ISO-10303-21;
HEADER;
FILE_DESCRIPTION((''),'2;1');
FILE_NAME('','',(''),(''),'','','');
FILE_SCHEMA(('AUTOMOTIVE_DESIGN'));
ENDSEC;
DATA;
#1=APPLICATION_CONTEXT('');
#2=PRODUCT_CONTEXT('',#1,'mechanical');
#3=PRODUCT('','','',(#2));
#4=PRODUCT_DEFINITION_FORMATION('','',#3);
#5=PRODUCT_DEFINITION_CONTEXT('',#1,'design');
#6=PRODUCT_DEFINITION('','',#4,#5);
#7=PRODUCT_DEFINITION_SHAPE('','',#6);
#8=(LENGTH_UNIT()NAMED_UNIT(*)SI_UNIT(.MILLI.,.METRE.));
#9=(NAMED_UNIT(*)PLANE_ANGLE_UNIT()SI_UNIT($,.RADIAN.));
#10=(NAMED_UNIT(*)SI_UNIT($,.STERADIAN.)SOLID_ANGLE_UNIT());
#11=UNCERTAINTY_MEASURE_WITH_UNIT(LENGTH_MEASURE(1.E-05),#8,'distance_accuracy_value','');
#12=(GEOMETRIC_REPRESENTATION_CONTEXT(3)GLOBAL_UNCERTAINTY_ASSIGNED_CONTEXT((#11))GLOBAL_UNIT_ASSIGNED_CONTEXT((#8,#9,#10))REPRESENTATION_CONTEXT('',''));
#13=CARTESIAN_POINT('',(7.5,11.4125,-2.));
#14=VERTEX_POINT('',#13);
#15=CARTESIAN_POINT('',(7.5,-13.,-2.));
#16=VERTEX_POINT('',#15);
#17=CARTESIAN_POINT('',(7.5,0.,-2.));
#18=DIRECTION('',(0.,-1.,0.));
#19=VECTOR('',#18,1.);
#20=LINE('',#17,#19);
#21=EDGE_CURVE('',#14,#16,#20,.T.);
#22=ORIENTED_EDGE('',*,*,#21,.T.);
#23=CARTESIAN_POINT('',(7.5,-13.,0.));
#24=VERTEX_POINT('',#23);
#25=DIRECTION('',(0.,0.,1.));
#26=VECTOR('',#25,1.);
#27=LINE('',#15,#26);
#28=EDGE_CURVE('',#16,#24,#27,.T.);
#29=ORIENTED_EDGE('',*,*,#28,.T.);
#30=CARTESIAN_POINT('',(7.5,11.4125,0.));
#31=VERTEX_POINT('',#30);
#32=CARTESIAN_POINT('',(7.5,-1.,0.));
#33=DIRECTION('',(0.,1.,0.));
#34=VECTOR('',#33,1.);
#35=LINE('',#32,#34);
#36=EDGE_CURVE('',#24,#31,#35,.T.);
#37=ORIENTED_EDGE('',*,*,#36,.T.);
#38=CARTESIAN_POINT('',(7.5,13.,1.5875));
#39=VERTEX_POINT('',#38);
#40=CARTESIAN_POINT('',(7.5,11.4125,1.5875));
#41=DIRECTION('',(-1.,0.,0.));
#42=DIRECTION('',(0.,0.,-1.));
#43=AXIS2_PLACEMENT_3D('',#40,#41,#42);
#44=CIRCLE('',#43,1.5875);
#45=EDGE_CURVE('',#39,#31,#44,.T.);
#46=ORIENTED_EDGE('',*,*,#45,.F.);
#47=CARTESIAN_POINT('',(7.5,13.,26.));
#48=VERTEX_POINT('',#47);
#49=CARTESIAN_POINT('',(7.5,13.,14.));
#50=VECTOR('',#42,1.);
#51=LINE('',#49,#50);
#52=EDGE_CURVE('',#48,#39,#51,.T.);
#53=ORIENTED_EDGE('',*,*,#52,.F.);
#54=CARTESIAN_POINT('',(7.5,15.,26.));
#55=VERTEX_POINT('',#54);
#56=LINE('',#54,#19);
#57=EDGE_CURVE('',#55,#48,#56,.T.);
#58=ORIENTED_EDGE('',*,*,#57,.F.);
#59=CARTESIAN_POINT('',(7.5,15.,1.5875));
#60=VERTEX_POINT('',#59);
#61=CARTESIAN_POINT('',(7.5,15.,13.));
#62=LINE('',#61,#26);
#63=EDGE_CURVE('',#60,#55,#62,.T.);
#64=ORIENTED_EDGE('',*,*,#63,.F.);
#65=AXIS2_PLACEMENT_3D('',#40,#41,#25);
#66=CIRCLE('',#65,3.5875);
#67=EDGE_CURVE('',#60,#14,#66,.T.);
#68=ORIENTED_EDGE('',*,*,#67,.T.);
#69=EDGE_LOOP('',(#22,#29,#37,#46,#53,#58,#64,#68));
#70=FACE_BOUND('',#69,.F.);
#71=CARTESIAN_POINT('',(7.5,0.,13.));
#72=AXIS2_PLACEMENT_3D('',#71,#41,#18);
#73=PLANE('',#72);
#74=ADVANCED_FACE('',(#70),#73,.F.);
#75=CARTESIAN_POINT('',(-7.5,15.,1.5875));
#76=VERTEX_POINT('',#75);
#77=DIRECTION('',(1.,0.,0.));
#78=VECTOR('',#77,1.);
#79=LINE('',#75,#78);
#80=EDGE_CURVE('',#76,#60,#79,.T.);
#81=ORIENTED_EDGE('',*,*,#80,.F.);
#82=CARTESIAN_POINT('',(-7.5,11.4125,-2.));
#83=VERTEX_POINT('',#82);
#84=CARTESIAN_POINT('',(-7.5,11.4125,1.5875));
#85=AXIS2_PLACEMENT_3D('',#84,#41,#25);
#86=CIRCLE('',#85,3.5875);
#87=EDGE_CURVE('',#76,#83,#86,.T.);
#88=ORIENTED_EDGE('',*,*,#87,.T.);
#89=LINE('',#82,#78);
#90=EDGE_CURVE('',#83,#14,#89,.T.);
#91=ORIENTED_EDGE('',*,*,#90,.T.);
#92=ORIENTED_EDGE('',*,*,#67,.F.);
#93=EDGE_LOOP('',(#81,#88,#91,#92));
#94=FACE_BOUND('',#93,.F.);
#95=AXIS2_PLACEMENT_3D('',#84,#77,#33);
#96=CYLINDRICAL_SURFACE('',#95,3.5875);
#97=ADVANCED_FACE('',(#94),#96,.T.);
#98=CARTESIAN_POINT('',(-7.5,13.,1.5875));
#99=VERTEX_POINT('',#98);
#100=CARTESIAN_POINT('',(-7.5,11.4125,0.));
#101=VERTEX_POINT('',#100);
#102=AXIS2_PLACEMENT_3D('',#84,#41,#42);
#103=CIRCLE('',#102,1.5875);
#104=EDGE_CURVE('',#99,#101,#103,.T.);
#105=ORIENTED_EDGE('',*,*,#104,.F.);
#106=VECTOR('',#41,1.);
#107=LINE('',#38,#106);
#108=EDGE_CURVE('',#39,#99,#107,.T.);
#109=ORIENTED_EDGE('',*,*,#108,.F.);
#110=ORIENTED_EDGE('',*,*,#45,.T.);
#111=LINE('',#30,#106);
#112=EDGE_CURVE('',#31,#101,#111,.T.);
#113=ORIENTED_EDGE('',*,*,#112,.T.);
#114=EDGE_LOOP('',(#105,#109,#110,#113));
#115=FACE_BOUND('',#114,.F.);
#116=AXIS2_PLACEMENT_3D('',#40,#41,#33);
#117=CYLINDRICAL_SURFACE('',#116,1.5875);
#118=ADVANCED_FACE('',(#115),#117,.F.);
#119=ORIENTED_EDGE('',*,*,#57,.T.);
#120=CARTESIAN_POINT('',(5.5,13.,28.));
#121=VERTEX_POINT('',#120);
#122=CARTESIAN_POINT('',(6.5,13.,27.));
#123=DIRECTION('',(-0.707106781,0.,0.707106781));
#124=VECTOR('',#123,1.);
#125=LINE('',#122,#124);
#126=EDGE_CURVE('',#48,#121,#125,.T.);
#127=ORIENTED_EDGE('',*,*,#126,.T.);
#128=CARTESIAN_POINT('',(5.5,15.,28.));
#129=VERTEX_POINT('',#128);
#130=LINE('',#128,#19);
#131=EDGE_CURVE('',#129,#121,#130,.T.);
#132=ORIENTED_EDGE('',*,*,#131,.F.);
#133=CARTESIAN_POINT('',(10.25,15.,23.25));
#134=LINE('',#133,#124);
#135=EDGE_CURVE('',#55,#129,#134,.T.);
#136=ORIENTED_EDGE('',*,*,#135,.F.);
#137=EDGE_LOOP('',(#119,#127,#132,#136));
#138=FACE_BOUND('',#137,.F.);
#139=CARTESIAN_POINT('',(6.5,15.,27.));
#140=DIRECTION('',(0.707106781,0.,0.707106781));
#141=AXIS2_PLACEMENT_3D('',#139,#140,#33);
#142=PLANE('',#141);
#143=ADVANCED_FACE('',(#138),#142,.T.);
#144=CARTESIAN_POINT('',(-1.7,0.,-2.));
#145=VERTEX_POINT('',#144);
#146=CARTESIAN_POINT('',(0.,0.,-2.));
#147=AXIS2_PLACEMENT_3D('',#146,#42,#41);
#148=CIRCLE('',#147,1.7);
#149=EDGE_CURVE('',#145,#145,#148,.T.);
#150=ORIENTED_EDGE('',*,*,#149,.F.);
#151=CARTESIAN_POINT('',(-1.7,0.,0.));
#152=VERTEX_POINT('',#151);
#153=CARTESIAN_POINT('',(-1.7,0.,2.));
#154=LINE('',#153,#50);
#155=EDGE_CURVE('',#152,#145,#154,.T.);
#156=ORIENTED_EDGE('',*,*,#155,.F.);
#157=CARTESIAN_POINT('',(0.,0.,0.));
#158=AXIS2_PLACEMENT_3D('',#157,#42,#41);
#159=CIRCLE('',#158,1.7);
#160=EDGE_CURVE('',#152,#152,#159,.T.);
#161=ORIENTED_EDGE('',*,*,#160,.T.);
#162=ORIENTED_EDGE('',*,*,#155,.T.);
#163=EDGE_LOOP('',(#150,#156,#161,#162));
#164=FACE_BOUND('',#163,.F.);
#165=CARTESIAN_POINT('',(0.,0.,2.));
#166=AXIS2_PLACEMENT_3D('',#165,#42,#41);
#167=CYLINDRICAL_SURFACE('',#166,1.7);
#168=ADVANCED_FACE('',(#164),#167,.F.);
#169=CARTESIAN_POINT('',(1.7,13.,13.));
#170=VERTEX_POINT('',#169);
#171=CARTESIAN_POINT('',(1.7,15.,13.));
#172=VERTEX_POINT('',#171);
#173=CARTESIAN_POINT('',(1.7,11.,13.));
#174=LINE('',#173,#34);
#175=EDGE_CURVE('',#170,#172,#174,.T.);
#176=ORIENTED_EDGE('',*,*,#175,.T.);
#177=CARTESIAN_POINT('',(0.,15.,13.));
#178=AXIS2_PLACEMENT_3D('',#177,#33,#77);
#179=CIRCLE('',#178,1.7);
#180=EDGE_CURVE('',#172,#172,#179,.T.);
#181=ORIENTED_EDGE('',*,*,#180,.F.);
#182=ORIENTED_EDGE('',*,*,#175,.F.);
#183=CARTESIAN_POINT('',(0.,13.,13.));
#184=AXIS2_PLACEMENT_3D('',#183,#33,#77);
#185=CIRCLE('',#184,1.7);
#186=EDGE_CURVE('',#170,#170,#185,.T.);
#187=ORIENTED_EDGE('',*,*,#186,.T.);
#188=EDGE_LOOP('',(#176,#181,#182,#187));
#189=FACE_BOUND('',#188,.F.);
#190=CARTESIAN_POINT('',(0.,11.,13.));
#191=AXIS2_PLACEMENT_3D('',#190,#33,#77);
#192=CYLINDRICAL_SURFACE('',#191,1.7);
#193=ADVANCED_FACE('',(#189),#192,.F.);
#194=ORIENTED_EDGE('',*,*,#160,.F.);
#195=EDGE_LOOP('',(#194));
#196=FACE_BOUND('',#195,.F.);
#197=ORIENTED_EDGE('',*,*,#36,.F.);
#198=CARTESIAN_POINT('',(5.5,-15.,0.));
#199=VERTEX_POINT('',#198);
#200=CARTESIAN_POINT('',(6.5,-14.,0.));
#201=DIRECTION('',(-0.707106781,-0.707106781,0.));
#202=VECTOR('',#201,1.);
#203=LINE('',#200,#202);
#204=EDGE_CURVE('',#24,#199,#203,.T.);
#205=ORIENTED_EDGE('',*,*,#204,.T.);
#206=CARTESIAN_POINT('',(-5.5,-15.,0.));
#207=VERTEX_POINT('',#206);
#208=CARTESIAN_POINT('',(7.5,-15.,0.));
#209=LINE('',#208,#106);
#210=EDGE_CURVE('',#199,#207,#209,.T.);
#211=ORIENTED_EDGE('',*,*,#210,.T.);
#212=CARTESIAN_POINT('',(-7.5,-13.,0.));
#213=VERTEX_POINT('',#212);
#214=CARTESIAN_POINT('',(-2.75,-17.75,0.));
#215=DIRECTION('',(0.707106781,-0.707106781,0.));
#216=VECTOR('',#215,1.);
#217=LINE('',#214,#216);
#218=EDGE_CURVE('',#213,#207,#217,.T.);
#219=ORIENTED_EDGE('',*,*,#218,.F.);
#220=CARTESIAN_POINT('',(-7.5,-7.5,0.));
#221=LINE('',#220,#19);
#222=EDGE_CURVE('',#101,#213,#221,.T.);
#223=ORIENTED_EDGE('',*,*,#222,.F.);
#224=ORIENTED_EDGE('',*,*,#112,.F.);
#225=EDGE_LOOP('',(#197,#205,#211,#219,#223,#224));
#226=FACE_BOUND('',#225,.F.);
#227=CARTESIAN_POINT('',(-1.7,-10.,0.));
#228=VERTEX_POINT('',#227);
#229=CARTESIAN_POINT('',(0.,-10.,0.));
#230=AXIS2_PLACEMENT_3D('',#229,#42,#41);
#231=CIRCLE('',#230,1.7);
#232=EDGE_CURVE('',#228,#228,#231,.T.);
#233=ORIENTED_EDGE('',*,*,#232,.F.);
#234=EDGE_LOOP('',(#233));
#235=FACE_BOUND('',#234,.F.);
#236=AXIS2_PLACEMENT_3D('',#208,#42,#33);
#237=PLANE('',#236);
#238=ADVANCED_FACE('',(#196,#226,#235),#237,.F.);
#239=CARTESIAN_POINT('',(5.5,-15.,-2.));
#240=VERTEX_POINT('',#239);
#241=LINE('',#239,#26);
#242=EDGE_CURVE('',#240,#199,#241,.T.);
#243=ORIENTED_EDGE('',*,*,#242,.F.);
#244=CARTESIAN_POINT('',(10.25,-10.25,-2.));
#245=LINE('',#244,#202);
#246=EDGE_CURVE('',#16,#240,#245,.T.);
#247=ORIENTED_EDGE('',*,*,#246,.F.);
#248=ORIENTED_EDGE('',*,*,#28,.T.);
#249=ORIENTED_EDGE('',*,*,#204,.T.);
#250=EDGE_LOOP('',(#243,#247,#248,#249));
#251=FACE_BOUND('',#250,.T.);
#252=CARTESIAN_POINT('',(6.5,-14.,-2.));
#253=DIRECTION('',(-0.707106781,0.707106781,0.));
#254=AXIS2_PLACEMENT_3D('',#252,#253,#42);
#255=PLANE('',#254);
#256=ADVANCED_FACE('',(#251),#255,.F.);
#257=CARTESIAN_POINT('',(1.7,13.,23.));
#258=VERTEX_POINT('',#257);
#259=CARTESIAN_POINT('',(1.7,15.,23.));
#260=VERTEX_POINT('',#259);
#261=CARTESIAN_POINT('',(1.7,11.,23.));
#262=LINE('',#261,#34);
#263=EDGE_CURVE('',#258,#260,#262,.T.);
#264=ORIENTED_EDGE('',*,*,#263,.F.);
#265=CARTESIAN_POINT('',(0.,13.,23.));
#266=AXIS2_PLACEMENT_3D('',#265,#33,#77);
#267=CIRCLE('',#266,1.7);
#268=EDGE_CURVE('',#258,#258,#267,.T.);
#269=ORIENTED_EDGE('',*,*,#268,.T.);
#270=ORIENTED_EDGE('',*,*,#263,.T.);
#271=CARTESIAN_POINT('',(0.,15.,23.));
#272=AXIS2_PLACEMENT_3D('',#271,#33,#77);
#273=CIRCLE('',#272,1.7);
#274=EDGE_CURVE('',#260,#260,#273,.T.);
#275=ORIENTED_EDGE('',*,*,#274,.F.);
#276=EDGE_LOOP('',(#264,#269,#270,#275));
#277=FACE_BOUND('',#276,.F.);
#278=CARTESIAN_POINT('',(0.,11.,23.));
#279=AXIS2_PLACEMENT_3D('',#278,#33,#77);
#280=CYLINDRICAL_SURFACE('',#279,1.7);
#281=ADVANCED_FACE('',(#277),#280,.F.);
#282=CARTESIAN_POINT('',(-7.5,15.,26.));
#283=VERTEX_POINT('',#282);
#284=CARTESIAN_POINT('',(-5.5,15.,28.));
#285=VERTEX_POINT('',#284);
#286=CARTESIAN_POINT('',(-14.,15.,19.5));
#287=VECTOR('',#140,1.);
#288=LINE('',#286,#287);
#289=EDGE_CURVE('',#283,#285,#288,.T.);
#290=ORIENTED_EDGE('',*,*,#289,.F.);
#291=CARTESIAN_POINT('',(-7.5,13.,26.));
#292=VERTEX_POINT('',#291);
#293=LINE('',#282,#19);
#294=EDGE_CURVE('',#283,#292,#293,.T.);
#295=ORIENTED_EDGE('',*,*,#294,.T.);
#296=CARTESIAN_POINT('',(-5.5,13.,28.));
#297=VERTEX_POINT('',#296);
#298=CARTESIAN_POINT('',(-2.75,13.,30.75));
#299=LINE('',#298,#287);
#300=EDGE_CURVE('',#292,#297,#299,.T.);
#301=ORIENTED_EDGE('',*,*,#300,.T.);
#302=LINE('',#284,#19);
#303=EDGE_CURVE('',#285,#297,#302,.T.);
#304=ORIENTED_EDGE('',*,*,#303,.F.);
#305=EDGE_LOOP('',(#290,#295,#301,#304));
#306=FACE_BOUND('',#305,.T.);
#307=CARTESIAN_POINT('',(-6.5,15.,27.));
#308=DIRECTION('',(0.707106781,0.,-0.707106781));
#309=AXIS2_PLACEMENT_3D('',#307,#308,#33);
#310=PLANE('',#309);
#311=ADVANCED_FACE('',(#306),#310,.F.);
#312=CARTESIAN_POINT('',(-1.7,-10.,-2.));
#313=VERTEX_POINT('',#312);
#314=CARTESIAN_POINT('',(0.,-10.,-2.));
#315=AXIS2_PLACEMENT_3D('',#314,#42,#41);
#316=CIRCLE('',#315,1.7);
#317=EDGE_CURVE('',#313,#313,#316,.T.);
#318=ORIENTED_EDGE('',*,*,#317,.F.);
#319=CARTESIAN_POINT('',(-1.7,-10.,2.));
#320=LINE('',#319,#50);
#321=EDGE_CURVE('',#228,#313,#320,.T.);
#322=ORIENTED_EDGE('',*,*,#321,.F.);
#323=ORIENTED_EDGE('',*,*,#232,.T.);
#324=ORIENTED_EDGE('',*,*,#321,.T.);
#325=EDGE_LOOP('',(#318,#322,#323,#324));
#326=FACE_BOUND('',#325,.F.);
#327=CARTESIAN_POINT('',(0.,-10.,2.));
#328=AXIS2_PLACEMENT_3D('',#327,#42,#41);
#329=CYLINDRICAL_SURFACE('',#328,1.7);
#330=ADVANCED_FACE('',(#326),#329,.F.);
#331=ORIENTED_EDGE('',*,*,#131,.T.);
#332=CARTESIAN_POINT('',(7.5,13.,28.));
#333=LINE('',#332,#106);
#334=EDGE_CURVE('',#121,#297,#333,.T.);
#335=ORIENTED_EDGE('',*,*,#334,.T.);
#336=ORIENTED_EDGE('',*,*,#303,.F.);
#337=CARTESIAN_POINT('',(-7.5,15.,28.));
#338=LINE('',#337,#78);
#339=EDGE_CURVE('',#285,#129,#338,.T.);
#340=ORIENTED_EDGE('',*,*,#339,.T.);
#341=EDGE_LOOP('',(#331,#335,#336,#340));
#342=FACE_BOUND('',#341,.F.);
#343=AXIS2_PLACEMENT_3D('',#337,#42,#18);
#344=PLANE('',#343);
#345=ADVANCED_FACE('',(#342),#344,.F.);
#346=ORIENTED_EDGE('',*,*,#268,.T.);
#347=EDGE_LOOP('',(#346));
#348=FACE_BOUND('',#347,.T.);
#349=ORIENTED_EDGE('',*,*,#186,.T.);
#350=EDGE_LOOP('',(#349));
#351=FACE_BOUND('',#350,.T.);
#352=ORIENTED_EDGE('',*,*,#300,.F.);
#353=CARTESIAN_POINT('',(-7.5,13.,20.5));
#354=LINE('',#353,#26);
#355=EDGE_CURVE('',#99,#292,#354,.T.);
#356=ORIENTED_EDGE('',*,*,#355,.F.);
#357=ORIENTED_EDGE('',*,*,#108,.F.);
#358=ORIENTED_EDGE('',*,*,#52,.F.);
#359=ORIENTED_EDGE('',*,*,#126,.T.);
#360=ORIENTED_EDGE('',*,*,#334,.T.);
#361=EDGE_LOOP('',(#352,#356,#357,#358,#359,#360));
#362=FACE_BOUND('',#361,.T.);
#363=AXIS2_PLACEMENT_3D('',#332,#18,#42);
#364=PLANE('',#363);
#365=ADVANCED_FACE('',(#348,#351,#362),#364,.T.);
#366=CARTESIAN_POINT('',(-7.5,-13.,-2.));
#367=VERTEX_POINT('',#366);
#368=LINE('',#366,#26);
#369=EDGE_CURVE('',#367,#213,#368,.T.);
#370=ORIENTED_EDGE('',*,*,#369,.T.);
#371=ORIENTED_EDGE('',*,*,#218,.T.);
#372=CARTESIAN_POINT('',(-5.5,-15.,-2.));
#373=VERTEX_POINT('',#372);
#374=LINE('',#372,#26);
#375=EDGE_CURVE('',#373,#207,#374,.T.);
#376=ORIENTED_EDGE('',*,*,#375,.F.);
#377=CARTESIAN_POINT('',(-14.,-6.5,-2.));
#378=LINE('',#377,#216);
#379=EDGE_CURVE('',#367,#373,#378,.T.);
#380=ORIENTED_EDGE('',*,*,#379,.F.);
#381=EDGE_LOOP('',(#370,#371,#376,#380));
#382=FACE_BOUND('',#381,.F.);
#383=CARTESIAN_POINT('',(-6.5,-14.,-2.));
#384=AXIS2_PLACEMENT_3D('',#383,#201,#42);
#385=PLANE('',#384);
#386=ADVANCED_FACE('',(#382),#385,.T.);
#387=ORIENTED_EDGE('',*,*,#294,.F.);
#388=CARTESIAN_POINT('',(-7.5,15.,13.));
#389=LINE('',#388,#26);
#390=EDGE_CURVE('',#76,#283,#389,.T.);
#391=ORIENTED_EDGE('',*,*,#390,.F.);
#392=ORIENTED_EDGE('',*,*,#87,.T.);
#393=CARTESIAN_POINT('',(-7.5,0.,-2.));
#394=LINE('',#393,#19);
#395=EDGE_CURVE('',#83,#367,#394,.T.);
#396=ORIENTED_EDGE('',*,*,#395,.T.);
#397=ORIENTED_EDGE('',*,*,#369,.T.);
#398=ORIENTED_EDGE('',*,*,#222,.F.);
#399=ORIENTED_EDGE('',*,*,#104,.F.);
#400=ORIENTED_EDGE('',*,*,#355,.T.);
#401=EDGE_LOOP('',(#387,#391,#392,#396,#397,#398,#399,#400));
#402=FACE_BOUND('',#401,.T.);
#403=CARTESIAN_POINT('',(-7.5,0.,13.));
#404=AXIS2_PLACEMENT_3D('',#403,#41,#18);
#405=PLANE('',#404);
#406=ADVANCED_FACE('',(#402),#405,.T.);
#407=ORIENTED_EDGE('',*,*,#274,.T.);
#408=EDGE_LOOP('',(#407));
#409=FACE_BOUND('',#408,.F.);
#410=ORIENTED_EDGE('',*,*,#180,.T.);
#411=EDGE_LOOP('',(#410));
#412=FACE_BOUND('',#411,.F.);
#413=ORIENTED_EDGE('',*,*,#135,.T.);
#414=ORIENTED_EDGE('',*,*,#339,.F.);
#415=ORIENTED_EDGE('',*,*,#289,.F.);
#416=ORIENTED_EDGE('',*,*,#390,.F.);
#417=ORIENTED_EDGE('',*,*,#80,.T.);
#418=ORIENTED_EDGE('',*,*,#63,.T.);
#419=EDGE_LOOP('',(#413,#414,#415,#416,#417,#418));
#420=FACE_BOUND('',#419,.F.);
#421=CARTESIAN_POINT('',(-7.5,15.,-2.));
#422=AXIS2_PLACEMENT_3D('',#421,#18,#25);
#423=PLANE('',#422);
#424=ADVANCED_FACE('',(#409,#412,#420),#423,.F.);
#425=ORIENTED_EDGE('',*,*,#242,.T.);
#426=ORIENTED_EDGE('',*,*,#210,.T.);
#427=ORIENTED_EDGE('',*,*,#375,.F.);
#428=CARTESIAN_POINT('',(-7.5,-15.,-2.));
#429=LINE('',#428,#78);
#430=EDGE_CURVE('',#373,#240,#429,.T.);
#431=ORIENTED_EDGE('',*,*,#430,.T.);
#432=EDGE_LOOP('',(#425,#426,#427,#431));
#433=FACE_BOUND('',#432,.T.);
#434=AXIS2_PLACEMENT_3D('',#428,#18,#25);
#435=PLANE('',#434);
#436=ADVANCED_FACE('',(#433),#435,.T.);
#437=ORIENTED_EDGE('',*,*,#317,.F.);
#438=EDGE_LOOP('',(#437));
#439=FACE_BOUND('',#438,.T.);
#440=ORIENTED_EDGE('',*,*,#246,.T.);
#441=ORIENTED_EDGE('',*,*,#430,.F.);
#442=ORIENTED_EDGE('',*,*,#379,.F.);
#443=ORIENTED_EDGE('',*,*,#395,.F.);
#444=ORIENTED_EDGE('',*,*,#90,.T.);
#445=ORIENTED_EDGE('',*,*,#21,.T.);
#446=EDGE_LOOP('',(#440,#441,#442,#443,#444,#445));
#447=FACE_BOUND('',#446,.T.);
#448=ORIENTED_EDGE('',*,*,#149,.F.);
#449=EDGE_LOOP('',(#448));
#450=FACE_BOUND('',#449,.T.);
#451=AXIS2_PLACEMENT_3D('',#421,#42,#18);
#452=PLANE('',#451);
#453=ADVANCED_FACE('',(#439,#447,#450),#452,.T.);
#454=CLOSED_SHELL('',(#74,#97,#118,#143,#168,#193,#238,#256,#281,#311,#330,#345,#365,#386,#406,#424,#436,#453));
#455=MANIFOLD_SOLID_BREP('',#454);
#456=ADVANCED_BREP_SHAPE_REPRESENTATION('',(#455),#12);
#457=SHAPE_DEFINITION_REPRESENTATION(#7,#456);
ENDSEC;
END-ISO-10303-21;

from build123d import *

# Parameters (mm, degrees)
SKETCH1_W                      = 30
SKETCH1_H                      = 30
BOSS_EXTRUDE1_DEPTH            = 15
SKETCH2_W                      = 28
SKETCH2_H                      = 28
CUT_EXTRUDE1_DEPTH             = 16
F_3_4_3_4_DIAMETER_HOLE1_D     = 3.4
F_3_4_3_4_DIAMETER_HOLE1_DEPTH = 2
F_3_4_3_4_DIAMETER_HOLE2_D     = 3.4
F_3_4_3_4_DIAMETER_HOLE2_DEPTH = 2
CHAMFER1_SIZE                  = 2
FILLET1_R                      = 1.5875
FILLET2_R                      = 3.5875


with BuildPart() as part:
    # Sketch1 → Boss-Extrude1 (new body)
    with BuildSketch(Plane(origin=(-7.5, 0, 0), x_dir=(0, -1, 0), z_dir=(-1, 0, 0))):
        with Locations((0, 13)):
            Rectangle(SKETCH1_W, SKETCH1_H)
    extrude(amount=-BOSS_EXTRUDE1_DEPTH)

    # Sketch2 → Cut-Extrude1 (cut, through all)
    with BuildSketch(Plane(origin=(7.5, 0, 0), x_dir=(0, 0, -1), z_dir=(1, 0, 0))):
        with Locations((-14, -1)):
            Rectangle(SKETCH2_W, SKETCH2_H)
    extrude(amount=-CUT_EXTRUDE1_DEPTH, mode=Mode.SUBTRACT)

    # Ø3.4 (3.4) Diameter Hole1
    with Locations(Plane.XY):
        with Locations((0, 0), (0, -10)):
            Hole(F_3_4_3_4_DIAMETER_HOLE1_D / 2, depth=F_3_4_3_4_DIAMETER_HOLE1_DEPTH)

    # Ø3.4 (3.4) Diameter Hole2
    with Locations(Plane(origin=(0, 13, 0), x_dir=(-1, 0, 0), z_dir=(0, -1, 0))):
        with Locations((0, -13), (0, -23)):
            Hole(F_3_4_3_4_DIAMETER_HOLE2_D / 2, depth=F_3_4_3_4_DIAMETER_HOLE2_DEPTH)

    # Chamfer1
    chamfer1_edges = [part.edges().sort_by_distance(p)[0] for p in [
        (-7.5, 14, 28),
        (7.5, 14, 28),
        (-7.5, -15, -1),
        (7.5, -15, -1),
    ]]
    chamfer(chamfer1_edges, length=CHAMFER1_SIZE)

    # Fillet1
    fillet1_edges = [part.edges().sort_by_distance(p)[0] for p in [
        (0, 13, 0),
    ]]
    fillet(fillet1_edges, radius=FILLET1_R)

    # Fillet2
    fillet2_edges = [part.edges().sort_by_distance(p)[0] for p in [
        (0, 15, -2),
    ]]
    fillet(fillet2_edges, radius=FILLET2_R)


solid = part.part
